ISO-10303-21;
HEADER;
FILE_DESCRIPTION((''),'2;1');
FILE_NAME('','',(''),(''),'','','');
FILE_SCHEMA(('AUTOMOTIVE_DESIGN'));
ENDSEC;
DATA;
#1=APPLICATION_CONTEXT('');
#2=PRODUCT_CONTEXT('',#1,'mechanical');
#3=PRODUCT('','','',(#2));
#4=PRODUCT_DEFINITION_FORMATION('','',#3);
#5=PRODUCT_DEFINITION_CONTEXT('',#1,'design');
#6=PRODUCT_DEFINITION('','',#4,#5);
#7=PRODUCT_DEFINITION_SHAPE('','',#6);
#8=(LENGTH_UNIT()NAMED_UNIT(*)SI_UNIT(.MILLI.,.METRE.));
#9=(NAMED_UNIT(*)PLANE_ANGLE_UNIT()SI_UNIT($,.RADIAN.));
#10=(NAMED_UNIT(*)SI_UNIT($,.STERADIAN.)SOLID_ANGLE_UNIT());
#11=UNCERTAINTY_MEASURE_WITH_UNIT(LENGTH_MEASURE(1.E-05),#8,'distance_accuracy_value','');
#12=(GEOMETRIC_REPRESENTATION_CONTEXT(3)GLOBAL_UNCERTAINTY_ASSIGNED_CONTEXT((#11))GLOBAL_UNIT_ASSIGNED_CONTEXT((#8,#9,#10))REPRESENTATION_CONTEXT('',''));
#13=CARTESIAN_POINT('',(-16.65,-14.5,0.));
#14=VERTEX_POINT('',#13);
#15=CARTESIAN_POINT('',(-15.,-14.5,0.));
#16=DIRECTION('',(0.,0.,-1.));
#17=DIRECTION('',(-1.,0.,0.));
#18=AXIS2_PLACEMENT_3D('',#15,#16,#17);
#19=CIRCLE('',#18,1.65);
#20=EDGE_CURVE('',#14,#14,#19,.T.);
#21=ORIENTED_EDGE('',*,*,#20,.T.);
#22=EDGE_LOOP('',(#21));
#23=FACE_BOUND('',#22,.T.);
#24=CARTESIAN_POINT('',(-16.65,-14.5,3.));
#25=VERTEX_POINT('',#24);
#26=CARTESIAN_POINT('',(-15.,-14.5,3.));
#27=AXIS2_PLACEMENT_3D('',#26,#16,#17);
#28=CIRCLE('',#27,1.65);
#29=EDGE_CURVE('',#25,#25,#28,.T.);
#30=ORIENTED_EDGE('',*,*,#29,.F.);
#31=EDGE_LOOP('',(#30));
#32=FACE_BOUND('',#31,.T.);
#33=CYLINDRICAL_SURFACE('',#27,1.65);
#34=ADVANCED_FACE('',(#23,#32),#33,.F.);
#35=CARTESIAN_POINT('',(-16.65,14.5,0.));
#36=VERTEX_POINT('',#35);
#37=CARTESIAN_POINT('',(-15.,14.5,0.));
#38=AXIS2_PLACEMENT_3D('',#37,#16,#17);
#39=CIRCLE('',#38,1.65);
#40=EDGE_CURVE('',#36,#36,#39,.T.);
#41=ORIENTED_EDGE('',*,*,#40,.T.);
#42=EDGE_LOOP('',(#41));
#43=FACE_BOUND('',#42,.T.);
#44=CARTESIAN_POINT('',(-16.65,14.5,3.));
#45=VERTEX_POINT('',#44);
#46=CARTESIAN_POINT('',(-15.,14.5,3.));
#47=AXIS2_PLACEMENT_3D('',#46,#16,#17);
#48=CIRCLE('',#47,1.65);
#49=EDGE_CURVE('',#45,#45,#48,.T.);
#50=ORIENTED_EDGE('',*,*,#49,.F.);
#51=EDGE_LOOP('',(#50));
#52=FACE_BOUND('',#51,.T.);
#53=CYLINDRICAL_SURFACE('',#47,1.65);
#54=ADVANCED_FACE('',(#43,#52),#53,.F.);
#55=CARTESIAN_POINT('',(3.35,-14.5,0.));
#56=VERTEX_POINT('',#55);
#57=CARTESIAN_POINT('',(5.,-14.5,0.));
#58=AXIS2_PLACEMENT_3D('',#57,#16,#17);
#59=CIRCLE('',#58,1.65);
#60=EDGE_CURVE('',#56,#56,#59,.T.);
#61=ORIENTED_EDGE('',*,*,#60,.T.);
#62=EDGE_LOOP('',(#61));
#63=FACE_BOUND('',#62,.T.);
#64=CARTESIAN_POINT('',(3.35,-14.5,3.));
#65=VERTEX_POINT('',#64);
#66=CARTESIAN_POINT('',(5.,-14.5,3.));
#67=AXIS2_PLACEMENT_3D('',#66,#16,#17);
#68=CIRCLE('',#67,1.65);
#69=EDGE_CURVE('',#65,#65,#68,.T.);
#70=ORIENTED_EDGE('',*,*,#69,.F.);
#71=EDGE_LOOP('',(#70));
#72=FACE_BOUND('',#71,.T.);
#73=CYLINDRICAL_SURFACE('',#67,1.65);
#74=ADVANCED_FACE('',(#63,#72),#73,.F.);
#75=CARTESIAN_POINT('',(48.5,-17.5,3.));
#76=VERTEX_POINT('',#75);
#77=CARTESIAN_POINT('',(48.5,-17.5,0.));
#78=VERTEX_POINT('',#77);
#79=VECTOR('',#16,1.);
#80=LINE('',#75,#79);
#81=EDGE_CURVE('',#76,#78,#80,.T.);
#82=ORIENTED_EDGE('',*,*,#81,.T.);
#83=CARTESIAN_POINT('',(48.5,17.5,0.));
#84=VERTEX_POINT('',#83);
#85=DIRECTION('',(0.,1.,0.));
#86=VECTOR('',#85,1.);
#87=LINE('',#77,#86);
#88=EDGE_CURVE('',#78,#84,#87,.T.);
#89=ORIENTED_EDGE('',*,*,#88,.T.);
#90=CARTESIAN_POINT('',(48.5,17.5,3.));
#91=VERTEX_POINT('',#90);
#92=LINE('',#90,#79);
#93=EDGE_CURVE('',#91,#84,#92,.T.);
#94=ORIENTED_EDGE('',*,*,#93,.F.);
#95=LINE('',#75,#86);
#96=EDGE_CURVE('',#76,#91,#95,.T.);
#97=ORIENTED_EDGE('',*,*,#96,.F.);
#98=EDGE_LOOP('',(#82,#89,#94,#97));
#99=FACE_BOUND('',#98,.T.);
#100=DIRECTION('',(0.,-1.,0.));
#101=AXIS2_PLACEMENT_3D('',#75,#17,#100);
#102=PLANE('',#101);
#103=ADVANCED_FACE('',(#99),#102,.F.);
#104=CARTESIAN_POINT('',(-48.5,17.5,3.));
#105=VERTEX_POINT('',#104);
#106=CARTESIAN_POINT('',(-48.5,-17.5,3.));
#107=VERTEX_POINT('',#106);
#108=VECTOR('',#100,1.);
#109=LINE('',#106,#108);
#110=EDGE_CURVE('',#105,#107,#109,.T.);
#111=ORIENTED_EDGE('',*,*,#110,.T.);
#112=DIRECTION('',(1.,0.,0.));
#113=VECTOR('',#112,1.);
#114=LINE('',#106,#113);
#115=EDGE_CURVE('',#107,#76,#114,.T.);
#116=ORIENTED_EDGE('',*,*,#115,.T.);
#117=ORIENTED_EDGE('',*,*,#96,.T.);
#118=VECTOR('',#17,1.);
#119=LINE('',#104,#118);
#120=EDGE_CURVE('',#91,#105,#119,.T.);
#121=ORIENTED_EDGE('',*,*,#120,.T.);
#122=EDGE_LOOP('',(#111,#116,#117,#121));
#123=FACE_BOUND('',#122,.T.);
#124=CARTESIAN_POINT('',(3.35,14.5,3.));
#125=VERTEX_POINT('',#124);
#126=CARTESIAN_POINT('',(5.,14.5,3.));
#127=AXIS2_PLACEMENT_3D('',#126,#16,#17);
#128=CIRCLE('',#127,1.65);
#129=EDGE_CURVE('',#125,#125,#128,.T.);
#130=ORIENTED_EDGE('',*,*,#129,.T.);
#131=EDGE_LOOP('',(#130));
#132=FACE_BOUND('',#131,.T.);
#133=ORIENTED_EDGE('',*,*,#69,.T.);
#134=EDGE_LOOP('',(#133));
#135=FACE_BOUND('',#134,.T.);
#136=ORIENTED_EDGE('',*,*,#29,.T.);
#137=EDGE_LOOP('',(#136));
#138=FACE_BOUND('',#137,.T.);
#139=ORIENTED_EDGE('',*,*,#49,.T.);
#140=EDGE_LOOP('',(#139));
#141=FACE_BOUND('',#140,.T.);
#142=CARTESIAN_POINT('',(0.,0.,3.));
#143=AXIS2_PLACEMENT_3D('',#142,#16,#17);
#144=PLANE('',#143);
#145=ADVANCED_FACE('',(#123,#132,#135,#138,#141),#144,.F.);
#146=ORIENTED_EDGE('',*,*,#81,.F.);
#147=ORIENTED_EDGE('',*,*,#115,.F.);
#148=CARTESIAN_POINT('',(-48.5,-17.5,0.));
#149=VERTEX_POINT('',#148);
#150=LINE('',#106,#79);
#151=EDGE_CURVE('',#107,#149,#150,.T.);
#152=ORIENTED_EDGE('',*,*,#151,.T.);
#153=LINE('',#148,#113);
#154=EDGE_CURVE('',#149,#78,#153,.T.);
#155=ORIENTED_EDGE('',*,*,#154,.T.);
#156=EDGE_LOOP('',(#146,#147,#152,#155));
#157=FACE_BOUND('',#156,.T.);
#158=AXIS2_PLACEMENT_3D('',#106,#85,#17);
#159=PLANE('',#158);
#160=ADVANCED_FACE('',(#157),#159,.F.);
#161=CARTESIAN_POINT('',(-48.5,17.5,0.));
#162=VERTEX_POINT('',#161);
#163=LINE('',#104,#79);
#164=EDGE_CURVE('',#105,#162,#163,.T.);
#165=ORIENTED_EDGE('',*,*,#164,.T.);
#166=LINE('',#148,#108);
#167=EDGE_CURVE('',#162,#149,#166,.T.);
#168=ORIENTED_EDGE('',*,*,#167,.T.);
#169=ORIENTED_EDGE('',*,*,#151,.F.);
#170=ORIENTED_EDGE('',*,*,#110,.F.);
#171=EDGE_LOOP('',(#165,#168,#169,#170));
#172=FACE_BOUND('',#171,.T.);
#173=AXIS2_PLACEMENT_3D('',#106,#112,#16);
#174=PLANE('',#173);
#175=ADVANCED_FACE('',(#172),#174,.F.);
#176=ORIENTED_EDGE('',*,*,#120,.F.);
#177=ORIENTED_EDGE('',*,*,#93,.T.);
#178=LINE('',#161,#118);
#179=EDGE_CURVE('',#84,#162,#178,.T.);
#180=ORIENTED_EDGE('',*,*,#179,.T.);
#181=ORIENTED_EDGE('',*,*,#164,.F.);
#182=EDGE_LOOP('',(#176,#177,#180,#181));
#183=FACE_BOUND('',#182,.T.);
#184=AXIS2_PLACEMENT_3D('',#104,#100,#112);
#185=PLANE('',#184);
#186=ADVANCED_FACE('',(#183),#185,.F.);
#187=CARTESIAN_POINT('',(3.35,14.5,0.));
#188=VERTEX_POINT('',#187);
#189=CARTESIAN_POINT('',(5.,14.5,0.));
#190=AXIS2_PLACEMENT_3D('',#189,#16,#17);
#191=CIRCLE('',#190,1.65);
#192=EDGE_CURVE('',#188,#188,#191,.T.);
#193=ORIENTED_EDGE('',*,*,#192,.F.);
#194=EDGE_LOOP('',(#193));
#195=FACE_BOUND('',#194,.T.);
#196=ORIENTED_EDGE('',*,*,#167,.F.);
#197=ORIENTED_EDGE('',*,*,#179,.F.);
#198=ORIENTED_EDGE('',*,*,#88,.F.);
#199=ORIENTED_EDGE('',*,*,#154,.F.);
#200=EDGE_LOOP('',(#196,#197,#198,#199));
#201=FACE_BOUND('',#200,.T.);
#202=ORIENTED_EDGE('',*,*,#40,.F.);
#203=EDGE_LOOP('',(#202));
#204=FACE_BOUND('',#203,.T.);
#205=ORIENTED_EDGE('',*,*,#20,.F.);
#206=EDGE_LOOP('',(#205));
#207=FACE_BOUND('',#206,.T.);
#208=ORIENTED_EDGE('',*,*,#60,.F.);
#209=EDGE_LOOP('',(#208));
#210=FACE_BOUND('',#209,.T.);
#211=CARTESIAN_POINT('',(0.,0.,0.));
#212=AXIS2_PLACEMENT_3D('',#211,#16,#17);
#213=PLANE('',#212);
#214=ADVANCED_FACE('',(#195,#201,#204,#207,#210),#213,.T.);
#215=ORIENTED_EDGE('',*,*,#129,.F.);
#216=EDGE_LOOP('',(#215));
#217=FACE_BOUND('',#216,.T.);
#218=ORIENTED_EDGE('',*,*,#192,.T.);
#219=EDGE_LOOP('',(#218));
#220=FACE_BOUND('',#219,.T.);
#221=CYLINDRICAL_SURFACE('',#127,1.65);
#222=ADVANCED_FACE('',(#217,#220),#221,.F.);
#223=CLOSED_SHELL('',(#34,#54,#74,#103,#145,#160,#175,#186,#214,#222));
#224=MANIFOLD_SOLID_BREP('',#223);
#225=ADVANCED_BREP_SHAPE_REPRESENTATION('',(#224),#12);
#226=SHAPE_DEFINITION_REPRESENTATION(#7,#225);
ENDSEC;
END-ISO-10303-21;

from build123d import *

# Parameters (mm, degrees)
SKETCH_1_W          = 97
SKETCH_1_H          = 35
EXTRUDE_1_DEPTH     = 3
SKETCH_2_R          = 1.65
CUT_EXTRUDE_1_DEPTH = 3


with BuildPart() as part:
    # 草图1 → 凸台-拉伸1 (new body)
    with BuildSketch(Plane.XY):
        Rectangle(SKETCH_1_W, SKETCH_1_H)
    extrude(amount=EXTRUDE_1_DEPTH)

    # 草图2 → 切除-拉伸1 (cut)
    with BuildSketch(Plane(origin=(0, 0, 0), x_dir=(-1, 0, 0), z_dir=(0, 0, -1))):
        with Locations((-5, -14.5)):
            Circle(SKETCH_2_R)
        with Locations((15, -14.5)):
            Circle(SKETCH_2_R)
        with Locations((-5, 14.5)):
            Circle(SKETCH_2_R)
        with Locations((15, 14.5)):
            Circle(SKETCH_2_R)
    extrude(amount=-CUT_EXTRUDE_1_DEPTH, mode=Mode.SUBTRACT)


solid = part.part
